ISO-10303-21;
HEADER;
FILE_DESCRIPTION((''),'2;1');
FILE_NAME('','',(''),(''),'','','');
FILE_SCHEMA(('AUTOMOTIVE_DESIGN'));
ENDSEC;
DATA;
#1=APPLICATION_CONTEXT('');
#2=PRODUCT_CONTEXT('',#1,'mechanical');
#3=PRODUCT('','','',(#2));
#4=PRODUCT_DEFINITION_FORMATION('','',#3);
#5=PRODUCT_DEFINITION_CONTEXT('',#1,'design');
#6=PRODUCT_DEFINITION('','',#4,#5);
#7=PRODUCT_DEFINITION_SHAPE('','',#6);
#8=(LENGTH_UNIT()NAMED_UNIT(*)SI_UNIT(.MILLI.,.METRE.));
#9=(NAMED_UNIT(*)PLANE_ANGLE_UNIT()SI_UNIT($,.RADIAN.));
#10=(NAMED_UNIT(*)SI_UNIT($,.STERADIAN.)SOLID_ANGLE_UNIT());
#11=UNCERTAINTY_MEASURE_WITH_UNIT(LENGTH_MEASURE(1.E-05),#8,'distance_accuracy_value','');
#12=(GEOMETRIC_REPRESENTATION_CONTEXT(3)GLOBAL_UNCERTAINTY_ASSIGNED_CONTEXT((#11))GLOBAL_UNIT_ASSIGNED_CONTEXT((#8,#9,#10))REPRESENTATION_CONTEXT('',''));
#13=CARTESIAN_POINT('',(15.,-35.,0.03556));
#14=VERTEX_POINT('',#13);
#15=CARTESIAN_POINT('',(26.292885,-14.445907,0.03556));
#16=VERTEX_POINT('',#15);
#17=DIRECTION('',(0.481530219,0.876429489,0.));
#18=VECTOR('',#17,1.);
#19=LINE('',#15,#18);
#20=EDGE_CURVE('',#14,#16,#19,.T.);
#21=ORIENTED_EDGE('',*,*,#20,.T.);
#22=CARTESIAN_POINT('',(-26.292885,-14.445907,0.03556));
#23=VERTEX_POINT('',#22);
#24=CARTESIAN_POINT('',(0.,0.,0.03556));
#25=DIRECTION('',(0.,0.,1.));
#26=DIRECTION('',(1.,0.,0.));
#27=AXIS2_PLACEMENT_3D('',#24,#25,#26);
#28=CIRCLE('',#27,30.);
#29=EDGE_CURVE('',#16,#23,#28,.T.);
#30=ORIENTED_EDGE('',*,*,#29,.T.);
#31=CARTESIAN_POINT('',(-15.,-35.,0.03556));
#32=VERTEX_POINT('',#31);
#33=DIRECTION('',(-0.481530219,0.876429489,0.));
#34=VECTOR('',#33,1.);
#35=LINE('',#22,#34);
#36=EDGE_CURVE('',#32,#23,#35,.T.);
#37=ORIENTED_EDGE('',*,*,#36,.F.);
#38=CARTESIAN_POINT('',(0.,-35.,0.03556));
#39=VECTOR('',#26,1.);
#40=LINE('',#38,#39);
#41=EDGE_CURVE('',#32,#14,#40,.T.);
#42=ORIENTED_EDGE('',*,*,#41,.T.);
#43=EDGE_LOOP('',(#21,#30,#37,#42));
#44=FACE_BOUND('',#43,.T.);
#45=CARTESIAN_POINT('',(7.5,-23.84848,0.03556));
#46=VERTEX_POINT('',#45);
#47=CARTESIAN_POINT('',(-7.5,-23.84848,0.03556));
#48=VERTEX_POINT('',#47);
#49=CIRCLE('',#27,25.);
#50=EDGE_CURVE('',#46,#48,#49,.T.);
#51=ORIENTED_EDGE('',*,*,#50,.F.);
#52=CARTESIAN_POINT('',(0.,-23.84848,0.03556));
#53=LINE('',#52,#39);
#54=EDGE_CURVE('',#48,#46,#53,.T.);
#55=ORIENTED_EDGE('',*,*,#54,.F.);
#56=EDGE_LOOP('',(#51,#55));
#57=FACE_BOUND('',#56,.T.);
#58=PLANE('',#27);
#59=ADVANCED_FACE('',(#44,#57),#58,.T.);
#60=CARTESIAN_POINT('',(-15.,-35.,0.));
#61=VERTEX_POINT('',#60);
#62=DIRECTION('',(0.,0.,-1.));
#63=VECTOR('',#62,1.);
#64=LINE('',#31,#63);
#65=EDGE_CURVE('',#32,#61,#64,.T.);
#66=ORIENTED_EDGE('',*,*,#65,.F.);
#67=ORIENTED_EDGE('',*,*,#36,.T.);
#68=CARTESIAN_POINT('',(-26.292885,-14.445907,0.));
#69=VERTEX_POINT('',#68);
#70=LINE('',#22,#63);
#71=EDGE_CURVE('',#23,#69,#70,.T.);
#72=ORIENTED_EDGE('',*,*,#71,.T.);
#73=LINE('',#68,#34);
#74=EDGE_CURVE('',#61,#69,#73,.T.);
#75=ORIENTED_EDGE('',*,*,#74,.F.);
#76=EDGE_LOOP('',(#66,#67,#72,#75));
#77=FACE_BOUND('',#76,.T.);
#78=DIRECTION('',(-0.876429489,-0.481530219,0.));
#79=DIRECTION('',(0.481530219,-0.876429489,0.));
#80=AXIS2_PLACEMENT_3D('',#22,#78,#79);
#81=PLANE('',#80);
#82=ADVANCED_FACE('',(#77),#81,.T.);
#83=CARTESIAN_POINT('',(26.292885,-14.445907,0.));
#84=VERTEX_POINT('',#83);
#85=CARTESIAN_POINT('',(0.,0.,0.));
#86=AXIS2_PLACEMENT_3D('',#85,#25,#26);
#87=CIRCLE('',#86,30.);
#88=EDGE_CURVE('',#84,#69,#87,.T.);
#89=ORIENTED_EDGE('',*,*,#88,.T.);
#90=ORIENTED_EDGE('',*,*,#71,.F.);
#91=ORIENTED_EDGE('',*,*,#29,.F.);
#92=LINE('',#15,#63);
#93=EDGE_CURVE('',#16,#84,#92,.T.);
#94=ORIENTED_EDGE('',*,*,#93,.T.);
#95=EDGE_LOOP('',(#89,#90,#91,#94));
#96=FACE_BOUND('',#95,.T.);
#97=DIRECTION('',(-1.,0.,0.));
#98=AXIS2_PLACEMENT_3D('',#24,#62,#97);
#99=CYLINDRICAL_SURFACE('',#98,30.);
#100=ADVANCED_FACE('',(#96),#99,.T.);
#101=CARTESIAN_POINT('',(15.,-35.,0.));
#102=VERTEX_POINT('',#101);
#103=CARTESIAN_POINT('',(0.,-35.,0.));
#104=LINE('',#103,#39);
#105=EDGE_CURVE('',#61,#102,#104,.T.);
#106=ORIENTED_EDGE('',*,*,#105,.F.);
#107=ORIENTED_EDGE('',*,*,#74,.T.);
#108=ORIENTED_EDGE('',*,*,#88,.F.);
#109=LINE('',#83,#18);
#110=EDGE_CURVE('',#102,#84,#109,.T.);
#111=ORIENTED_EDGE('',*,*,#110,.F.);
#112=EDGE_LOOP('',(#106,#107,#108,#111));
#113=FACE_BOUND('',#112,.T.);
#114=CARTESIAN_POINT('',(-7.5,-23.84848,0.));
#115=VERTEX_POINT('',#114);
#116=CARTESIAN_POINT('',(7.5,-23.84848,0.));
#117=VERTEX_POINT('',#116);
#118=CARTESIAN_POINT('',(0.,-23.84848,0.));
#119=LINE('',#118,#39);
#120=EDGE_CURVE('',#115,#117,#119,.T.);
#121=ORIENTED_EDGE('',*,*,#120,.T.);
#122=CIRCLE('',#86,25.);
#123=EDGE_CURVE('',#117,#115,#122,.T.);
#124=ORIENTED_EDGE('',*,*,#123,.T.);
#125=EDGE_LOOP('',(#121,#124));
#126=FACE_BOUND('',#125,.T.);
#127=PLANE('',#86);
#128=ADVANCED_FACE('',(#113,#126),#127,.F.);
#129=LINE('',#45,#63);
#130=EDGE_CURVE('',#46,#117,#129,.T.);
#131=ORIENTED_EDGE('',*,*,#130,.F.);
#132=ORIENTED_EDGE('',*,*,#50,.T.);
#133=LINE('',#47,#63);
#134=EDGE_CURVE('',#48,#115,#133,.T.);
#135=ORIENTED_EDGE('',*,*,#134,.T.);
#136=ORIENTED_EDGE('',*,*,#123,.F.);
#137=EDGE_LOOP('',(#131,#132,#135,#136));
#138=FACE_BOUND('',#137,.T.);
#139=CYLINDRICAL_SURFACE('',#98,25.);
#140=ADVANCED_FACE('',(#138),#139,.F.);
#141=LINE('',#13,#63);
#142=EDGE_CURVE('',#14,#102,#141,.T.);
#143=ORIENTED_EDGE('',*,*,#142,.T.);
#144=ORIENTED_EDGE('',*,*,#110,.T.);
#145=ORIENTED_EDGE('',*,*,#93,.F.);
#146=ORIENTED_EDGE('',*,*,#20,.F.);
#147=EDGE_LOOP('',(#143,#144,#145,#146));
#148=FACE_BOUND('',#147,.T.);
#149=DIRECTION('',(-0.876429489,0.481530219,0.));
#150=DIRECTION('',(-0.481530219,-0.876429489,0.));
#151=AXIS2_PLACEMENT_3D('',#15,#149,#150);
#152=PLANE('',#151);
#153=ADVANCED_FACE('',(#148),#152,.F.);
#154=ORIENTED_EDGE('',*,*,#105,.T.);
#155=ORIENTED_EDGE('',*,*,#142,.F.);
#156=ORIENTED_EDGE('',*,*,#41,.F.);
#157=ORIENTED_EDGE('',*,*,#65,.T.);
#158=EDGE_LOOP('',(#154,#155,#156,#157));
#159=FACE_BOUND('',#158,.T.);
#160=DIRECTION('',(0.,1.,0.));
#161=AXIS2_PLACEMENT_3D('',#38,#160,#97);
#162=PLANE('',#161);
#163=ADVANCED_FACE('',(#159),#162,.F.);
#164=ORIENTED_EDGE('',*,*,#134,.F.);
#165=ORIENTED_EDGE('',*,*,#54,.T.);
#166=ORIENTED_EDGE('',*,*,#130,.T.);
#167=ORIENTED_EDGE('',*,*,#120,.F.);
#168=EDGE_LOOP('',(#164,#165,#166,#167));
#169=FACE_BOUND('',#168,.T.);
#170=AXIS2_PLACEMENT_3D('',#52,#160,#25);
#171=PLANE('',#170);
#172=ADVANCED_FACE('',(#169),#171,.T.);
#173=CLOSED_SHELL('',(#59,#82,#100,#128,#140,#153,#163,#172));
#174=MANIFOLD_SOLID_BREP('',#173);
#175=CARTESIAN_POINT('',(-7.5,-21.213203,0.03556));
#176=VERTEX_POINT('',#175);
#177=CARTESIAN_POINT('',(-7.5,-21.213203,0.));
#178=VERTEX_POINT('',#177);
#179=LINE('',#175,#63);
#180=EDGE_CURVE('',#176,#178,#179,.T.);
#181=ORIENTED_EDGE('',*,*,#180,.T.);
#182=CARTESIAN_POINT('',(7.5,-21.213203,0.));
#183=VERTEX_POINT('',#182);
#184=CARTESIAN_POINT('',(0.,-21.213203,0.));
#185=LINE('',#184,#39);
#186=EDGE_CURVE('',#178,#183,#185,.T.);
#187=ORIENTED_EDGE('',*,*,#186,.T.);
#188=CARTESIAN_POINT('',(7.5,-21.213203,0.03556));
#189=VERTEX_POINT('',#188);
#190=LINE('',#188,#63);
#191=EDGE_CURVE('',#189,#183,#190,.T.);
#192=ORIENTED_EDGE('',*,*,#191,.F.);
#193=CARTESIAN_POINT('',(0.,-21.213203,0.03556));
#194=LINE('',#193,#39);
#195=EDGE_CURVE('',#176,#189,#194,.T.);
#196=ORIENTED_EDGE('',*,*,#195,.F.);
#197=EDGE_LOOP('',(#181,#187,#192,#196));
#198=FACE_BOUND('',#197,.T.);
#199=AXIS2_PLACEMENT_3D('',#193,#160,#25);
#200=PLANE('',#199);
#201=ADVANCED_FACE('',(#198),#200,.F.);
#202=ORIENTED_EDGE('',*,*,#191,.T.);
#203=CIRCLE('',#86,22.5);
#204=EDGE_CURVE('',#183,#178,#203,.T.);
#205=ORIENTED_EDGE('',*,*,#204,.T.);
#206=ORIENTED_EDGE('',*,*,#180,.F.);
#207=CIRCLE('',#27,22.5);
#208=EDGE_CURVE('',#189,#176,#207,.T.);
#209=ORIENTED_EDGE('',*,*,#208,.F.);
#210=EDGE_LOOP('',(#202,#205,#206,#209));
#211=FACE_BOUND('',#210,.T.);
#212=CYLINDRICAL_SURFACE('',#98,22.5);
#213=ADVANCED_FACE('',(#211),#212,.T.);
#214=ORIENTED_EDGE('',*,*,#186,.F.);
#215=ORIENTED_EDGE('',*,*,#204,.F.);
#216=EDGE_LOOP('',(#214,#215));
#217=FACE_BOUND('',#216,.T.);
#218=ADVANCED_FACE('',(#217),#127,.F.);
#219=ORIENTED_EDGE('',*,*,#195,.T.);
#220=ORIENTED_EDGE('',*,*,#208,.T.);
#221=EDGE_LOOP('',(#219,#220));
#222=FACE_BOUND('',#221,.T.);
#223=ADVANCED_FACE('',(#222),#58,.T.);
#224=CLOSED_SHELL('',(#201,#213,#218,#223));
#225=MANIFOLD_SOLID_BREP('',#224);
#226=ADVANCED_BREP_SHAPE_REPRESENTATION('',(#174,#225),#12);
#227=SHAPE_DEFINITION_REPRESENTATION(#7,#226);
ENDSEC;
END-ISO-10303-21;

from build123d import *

# Parameters (mm, degrees)
BOSS_EXTRUDE1_DEPTH   = 0.03556
BOSS_EXTRUDE1_2_DEPTH = 0.03556


with BuildPart() as part:
    # Sketch1 → Boss-Extrude1 (new body)
    with BuildSketch(Plane.XY):
        with BuildLine():
            Line((-7.500000004, -21.213203434), (7.500000004, -21.213203434))
            ThreePointArc((7.500000004, -21.213203434), (0, 22.5), (-7.500000004, -21.213203434))
        make_face()
    extrude(amount=BOSS_EXTRUDE1_DEPTH)


with BuildPart() as body_2:
    # Sketch1 → Boss-Extrude1 2 (new body)
    with BuildSketch(Plane.XY):
        with BuildLine():
            Line((-15, -35.000000034), (15, -35.000000034))
            Line((15, -35.000000034), (26.292884658, -14.445906561))
            ThreePointArc((26.292884658, -14.445906561), (0, 30), (-26.292884658, -14.445906561))
            Line((-26.292884658, -14.445906561), (-15, -35.000000034))
        make_face()
        with BuildLine():
            Line((-7.500000004, -23.848480034), (7.500000004, -23.848480034))
            ThreePointArc((7.500000004, -23.848480034), (0, 25), (-7.500000004, -23.848480034))
        make_face(mode=Mode.SUBTRACT)
    extrude(amount=BOSS_EXTRUDE1_2_DEPTH)


solid = Compound([part.part, body_2.part])
